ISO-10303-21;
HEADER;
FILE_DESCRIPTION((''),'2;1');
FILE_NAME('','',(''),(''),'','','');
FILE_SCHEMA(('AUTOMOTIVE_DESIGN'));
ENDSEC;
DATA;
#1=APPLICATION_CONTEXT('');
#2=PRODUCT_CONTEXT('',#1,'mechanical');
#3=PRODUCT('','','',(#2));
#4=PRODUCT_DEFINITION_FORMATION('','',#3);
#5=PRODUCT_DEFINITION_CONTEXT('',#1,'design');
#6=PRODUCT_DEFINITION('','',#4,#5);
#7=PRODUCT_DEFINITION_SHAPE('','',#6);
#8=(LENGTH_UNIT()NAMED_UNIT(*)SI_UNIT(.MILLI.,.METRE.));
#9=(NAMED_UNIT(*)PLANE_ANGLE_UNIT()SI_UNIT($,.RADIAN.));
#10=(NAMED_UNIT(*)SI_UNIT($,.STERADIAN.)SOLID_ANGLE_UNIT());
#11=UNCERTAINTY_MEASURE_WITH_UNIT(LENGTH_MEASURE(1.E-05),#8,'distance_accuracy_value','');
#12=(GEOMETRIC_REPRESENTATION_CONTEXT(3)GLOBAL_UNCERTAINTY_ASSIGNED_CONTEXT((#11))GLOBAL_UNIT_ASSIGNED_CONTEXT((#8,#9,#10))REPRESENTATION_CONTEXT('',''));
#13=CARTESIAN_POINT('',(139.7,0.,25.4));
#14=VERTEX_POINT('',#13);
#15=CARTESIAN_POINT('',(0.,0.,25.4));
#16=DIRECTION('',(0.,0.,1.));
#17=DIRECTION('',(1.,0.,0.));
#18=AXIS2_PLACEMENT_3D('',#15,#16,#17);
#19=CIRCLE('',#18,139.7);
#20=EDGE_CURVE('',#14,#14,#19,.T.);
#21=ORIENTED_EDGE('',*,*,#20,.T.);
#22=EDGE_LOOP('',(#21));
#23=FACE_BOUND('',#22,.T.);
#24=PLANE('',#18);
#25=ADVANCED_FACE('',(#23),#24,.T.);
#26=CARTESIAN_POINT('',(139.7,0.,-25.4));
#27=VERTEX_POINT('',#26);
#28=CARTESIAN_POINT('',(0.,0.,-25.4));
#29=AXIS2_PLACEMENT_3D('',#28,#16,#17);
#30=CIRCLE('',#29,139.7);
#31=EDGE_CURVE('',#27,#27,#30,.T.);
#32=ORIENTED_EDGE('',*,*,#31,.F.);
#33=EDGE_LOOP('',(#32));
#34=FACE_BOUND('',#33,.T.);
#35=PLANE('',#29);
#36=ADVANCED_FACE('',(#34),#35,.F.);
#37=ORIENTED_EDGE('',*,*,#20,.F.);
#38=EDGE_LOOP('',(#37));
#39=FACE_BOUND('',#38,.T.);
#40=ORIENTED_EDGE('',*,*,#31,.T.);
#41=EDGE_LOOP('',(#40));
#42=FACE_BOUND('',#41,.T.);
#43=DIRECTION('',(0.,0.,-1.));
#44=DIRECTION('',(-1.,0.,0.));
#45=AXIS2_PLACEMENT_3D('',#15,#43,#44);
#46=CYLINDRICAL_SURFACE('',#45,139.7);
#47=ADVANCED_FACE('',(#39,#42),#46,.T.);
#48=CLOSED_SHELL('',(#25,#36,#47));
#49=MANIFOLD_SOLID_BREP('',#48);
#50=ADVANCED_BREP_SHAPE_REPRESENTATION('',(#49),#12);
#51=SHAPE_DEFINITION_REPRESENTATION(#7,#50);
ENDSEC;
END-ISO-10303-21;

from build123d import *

# Parameters (mm, degrees)
SKETCH1_R           = 139.7
BOSS_EXTRUDE1_DEPTH = 25.4


with BuildPart() as part:
    # Sketch1 → Boss-Extrude1 (new body, symmetric)
    with BuildSketch(Plane.XY):
        Circle(SKETCH1_R)
    extrude(amount=BOSS_EXTRUDE1_DEPTH, both=True)


solid = part.part
